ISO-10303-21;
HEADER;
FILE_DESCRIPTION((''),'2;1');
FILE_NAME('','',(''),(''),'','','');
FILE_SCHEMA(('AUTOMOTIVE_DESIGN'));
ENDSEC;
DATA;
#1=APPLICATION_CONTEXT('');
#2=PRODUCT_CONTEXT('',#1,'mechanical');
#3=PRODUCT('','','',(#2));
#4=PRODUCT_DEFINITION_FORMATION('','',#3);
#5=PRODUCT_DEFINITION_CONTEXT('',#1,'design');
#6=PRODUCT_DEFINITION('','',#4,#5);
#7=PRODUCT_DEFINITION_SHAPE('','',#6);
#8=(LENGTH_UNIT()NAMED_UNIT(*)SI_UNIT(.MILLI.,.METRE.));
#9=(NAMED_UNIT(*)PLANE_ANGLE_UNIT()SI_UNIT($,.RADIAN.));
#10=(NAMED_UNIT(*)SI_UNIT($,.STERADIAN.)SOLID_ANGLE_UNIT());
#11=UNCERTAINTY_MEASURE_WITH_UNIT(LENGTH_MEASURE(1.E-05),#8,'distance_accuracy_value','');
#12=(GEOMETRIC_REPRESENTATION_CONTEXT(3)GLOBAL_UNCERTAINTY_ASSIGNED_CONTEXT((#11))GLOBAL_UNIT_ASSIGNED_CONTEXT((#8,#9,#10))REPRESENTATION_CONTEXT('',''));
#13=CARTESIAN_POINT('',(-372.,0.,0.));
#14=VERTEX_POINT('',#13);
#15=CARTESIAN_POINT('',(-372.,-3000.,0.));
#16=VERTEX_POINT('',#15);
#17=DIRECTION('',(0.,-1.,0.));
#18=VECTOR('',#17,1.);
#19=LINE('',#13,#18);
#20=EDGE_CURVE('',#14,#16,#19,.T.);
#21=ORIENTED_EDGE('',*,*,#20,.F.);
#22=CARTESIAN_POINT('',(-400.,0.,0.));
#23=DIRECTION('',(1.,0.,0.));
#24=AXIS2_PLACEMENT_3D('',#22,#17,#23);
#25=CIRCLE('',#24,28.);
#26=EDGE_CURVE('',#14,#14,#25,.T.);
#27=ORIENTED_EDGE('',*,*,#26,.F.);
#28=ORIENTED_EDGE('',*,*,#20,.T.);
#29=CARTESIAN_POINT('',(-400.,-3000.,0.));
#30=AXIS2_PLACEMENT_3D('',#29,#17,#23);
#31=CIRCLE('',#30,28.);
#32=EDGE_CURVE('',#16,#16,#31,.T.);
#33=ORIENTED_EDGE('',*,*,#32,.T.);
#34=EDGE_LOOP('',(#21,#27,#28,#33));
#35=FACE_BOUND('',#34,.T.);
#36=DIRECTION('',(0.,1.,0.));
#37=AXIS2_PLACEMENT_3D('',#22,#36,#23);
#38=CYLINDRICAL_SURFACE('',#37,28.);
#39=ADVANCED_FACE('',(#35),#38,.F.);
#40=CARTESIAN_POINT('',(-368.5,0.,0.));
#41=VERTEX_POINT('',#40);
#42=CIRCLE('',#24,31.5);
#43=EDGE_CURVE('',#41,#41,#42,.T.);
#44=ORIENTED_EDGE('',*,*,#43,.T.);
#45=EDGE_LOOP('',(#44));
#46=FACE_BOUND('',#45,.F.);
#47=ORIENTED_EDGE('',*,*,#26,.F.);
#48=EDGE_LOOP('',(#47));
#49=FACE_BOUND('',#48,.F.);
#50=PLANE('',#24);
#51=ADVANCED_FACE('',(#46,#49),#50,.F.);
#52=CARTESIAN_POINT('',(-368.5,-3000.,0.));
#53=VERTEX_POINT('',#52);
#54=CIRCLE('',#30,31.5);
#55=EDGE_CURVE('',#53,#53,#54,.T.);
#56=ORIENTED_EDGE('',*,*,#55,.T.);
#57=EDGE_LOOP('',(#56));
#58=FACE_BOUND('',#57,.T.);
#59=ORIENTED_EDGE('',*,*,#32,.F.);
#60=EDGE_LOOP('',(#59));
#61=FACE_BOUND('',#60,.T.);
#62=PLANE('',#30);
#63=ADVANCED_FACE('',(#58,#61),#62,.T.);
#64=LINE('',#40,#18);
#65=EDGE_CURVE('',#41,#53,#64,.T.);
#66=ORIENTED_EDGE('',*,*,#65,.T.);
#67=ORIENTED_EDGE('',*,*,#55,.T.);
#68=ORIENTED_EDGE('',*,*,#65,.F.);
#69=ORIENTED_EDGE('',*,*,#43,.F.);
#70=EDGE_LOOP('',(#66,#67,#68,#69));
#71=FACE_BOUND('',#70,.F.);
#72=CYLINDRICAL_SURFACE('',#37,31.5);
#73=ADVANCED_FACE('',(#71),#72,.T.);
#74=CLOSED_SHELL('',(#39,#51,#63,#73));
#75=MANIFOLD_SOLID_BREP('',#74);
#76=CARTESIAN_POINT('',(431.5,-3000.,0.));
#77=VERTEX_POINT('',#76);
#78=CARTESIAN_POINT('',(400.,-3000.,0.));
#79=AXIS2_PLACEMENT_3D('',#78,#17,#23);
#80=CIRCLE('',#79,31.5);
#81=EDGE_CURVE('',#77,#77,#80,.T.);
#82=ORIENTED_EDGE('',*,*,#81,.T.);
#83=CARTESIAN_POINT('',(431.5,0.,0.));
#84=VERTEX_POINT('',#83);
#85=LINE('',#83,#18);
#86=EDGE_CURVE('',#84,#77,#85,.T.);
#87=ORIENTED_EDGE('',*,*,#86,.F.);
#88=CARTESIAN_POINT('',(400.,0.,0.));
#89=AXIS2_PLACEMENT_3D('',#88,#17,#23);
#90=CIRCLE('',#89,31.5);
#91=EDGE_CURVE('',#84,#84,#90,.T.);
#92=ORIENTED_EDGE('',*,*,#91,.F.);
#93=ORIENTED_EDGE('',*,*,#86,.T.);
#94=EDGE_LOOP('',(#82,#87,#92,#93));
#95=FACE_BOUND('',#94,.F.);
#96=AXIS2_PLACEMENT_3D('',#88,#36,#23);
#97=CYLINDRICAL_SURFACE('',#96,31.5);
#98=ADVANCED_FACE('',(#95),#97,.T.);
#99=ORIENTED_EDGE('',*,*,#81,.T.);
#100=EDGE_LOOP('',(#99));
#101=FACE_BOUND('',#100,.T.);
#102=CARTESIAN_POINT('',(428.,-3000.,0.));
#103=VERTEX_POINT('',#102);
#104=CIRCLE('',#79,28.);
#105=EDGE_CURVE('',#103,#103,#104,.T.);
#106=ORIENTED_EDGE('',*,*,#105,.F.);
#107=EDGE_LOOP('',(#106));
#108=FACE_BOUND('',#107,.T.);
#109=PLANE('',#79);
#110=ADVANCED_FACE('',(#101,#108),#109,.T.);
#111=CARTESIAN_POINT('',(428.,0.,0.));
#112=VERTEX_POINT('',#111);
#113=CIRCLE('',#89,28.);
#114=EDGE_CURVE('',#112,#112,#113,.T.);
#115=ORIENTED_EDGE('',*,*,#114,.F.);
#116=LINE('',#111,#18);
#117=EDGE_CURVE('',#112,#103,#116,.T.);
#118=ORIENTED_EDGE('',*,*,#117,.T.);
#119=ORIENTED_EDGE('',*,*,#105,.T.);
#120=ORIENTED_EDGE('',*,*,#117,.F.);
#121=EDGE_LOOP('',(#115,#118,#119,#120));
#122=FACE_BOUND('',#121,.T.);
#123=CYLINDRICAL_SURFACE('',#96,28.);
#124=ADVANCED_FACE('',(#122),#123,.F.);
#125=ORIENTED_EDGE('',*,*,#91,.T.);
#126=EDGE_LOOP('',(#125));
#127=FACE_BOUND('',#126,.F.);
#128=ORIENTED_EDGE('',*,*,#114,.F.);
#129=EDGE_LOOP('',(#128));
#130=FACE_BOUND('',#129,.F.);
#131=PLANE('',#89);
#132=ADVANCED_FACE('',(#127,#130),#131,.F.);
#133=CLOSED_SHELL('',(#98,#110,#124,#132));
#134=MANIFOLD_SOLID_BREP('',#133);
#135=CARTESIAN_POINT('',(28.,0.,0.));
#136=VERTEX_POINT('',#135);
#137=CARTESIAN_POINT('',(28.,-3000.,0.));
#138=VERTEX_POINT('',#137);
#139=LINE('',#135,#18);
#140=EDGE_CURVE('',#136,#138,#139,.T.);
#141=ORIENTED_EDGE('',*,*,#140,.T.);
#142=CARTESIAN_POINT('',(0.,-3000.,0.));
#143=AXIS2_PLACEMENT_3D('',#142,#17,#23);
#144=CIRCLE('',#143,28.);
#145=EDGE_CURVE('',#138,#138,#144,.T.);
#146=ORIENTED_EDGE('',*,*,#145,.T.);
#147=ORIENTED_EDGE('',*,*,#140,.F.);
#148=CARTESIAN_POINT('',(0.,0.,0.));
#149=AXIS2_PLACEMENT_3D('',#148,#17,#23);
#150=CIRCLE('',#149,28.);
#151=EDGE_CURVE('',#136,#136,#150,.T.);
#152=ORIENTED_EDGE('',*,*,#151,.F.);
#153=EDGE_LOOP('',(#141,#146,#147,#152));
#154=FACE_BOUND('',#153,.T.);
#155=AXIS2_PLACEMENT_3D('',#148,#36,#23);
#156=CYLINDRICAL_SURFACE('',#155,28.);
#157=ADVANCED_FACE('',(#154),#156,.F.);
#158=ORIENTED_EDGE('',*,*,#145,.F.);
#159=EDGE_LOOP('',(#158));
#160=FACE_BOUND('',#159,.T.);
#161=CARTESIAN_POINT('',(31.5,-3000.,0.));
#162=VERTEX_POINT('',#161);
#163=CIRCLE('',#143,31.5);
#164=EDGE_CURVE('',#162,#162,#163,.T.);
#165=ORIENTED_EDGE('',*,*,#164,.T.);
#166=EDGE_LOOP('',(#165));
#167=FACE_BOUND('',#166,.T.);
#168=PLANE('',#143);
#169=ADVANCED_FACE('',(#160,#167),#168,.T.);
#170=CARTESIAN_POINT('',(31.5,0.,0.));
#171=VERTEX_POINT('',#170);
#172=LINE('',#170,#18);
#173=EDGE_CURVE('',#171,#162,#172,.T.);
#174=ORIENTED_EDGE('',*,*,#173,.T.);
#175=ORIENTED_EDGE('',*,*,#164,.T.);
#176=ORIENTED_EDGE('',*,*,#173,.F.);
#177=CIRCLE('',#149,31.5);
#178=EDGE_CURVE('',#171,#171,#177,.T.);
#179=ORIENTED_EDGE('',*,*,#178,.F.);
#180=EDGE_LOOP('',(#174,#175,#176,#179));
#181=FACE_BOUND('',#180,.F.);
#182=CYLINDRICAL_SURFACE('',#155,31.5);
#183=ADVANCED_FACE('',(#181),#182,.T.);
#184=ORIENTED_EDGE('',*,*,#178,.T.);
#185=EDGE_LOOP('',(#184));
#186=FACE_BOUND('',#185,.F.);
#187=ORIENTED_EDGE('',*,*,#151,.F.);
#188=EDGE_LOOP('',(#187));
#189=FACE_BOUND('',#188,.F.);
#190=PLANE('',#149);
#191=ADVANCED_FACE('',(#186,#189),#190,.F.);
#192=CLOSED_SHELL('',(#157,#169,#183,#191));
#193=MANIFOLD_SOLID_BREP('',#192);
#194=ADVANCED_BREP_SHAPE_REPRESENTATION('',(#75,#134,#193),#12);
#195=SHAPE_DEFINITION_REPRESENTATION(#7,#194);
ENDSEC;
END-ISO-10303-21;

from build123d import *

# Parameters (mm, degrees)
F0_R     = 31.5
F0_R_2   = 28
F1_DEPTH = 3000


with BuildPart() as f1:
    # F0 (on Front) → F1 (new body)
    with BuildSketch(Plane.XZ):
        with Locations((-400, 0)):
            Circle(F0_R)
        with Locations((-400, 0)):
            Circle(F0_R_2, mode=Mode.SUBTRACT)
        Circle(F0_R)
        Circle(F0_R_2, mode=Mode.SUBTRACT)
        with Locations((400, 0)):
            Circle(F0_R)
        with Locations((400, 0)):
            Circle(F0_R_2, mode=Mode.SUBTRACT)
    extrude(amount=F1_DEPTH)


solid = f1.part
